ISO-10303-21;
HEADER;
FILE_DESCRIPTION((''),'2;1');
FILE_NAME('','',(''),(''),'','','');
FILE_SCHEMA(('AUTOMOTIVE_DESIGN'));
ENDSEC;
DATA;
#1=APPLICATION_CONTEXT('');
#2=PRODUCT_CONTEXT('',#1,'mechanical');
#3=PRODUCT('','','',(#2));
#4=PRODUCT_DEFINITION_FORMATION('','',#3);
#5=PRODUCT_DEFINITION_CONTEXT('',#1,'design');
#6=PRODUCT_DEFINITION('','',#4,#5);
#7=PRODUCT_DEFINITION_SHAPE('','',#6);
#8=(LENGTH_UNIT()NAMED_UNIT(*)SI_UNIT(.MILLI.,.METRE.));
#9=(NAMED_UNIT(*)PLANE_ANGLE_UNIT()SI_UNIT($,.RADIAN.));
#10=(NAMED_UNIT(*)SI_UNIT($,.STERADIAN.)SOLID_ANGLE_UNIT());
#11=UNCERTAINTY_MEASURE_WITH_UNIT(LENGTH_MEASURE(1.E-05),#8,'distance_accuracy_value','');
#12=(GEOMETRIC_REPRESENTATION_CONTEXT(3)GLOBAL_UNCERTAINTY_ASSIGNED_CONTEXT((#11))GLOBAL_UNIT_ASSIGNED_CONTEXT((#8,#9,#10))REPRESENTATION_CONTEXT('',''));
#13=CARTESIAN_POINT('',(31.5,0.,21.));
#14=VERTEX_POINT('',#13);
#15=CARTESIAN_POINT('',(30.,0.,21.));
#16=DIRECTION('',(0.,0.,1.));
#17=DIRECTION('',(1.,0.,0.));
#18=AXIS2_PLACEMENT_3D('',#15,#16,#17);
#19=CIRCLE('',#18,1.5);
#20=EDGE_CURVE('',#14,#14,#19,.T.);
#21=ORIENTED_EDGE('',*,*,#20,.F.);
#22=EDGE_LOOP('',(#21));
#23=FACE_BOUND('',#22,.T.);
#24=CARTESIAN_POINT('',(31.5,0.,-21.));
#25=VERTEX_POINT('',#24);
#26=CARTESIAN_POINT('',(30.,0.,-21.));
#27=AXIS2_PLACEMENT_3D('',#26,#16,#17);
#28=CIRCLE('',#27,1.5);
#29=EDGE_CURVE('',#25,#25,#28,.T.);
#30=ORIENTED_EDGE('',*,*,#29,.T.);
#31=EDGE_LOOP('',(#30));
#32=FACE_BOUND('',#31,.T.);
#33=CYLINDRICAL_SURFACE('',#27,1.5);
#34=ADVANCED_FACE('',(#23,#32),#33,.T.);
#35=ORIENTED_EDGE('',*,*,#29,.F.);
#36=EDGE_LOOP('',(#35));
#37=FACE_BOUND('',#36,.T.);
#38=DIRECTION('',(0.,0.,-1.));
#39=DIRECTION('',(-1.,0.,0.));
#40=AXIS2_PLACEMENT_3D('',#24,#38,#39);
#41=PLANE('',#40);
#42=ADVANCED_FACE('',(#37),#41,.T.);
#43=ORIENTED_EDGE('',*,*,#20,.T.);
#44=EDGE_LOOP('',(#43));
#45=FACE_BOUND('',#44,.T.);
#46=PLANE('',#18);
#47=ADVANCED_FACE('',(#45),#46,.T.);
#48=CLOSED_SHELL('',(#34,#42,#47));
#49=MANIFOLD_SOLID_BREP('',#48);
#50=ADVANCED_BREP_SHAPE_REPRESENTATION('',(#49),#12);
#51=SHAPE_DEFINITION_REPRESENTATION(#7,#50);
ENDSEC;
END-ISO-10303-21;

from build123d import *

# Parameters (mm, degrees)
SKETCH1_W = 1.5
SKETCH1_H = 42


with BuildPart() as part:
    # Sketch1 → Revolve1 (revolve)
    with BuildSketch(Plane(origin=(0, 0, 0), x_dir=(-1, 0, 0), z_dir=(0, 1, 0))):
        with Locations((-30.75, 0)):
            Rectangle(SKETCH1_W, SKETCH1_H)
    revolve(axis=Axis((30, 0, -21), (0, 0, 1)))


solid = part.part
